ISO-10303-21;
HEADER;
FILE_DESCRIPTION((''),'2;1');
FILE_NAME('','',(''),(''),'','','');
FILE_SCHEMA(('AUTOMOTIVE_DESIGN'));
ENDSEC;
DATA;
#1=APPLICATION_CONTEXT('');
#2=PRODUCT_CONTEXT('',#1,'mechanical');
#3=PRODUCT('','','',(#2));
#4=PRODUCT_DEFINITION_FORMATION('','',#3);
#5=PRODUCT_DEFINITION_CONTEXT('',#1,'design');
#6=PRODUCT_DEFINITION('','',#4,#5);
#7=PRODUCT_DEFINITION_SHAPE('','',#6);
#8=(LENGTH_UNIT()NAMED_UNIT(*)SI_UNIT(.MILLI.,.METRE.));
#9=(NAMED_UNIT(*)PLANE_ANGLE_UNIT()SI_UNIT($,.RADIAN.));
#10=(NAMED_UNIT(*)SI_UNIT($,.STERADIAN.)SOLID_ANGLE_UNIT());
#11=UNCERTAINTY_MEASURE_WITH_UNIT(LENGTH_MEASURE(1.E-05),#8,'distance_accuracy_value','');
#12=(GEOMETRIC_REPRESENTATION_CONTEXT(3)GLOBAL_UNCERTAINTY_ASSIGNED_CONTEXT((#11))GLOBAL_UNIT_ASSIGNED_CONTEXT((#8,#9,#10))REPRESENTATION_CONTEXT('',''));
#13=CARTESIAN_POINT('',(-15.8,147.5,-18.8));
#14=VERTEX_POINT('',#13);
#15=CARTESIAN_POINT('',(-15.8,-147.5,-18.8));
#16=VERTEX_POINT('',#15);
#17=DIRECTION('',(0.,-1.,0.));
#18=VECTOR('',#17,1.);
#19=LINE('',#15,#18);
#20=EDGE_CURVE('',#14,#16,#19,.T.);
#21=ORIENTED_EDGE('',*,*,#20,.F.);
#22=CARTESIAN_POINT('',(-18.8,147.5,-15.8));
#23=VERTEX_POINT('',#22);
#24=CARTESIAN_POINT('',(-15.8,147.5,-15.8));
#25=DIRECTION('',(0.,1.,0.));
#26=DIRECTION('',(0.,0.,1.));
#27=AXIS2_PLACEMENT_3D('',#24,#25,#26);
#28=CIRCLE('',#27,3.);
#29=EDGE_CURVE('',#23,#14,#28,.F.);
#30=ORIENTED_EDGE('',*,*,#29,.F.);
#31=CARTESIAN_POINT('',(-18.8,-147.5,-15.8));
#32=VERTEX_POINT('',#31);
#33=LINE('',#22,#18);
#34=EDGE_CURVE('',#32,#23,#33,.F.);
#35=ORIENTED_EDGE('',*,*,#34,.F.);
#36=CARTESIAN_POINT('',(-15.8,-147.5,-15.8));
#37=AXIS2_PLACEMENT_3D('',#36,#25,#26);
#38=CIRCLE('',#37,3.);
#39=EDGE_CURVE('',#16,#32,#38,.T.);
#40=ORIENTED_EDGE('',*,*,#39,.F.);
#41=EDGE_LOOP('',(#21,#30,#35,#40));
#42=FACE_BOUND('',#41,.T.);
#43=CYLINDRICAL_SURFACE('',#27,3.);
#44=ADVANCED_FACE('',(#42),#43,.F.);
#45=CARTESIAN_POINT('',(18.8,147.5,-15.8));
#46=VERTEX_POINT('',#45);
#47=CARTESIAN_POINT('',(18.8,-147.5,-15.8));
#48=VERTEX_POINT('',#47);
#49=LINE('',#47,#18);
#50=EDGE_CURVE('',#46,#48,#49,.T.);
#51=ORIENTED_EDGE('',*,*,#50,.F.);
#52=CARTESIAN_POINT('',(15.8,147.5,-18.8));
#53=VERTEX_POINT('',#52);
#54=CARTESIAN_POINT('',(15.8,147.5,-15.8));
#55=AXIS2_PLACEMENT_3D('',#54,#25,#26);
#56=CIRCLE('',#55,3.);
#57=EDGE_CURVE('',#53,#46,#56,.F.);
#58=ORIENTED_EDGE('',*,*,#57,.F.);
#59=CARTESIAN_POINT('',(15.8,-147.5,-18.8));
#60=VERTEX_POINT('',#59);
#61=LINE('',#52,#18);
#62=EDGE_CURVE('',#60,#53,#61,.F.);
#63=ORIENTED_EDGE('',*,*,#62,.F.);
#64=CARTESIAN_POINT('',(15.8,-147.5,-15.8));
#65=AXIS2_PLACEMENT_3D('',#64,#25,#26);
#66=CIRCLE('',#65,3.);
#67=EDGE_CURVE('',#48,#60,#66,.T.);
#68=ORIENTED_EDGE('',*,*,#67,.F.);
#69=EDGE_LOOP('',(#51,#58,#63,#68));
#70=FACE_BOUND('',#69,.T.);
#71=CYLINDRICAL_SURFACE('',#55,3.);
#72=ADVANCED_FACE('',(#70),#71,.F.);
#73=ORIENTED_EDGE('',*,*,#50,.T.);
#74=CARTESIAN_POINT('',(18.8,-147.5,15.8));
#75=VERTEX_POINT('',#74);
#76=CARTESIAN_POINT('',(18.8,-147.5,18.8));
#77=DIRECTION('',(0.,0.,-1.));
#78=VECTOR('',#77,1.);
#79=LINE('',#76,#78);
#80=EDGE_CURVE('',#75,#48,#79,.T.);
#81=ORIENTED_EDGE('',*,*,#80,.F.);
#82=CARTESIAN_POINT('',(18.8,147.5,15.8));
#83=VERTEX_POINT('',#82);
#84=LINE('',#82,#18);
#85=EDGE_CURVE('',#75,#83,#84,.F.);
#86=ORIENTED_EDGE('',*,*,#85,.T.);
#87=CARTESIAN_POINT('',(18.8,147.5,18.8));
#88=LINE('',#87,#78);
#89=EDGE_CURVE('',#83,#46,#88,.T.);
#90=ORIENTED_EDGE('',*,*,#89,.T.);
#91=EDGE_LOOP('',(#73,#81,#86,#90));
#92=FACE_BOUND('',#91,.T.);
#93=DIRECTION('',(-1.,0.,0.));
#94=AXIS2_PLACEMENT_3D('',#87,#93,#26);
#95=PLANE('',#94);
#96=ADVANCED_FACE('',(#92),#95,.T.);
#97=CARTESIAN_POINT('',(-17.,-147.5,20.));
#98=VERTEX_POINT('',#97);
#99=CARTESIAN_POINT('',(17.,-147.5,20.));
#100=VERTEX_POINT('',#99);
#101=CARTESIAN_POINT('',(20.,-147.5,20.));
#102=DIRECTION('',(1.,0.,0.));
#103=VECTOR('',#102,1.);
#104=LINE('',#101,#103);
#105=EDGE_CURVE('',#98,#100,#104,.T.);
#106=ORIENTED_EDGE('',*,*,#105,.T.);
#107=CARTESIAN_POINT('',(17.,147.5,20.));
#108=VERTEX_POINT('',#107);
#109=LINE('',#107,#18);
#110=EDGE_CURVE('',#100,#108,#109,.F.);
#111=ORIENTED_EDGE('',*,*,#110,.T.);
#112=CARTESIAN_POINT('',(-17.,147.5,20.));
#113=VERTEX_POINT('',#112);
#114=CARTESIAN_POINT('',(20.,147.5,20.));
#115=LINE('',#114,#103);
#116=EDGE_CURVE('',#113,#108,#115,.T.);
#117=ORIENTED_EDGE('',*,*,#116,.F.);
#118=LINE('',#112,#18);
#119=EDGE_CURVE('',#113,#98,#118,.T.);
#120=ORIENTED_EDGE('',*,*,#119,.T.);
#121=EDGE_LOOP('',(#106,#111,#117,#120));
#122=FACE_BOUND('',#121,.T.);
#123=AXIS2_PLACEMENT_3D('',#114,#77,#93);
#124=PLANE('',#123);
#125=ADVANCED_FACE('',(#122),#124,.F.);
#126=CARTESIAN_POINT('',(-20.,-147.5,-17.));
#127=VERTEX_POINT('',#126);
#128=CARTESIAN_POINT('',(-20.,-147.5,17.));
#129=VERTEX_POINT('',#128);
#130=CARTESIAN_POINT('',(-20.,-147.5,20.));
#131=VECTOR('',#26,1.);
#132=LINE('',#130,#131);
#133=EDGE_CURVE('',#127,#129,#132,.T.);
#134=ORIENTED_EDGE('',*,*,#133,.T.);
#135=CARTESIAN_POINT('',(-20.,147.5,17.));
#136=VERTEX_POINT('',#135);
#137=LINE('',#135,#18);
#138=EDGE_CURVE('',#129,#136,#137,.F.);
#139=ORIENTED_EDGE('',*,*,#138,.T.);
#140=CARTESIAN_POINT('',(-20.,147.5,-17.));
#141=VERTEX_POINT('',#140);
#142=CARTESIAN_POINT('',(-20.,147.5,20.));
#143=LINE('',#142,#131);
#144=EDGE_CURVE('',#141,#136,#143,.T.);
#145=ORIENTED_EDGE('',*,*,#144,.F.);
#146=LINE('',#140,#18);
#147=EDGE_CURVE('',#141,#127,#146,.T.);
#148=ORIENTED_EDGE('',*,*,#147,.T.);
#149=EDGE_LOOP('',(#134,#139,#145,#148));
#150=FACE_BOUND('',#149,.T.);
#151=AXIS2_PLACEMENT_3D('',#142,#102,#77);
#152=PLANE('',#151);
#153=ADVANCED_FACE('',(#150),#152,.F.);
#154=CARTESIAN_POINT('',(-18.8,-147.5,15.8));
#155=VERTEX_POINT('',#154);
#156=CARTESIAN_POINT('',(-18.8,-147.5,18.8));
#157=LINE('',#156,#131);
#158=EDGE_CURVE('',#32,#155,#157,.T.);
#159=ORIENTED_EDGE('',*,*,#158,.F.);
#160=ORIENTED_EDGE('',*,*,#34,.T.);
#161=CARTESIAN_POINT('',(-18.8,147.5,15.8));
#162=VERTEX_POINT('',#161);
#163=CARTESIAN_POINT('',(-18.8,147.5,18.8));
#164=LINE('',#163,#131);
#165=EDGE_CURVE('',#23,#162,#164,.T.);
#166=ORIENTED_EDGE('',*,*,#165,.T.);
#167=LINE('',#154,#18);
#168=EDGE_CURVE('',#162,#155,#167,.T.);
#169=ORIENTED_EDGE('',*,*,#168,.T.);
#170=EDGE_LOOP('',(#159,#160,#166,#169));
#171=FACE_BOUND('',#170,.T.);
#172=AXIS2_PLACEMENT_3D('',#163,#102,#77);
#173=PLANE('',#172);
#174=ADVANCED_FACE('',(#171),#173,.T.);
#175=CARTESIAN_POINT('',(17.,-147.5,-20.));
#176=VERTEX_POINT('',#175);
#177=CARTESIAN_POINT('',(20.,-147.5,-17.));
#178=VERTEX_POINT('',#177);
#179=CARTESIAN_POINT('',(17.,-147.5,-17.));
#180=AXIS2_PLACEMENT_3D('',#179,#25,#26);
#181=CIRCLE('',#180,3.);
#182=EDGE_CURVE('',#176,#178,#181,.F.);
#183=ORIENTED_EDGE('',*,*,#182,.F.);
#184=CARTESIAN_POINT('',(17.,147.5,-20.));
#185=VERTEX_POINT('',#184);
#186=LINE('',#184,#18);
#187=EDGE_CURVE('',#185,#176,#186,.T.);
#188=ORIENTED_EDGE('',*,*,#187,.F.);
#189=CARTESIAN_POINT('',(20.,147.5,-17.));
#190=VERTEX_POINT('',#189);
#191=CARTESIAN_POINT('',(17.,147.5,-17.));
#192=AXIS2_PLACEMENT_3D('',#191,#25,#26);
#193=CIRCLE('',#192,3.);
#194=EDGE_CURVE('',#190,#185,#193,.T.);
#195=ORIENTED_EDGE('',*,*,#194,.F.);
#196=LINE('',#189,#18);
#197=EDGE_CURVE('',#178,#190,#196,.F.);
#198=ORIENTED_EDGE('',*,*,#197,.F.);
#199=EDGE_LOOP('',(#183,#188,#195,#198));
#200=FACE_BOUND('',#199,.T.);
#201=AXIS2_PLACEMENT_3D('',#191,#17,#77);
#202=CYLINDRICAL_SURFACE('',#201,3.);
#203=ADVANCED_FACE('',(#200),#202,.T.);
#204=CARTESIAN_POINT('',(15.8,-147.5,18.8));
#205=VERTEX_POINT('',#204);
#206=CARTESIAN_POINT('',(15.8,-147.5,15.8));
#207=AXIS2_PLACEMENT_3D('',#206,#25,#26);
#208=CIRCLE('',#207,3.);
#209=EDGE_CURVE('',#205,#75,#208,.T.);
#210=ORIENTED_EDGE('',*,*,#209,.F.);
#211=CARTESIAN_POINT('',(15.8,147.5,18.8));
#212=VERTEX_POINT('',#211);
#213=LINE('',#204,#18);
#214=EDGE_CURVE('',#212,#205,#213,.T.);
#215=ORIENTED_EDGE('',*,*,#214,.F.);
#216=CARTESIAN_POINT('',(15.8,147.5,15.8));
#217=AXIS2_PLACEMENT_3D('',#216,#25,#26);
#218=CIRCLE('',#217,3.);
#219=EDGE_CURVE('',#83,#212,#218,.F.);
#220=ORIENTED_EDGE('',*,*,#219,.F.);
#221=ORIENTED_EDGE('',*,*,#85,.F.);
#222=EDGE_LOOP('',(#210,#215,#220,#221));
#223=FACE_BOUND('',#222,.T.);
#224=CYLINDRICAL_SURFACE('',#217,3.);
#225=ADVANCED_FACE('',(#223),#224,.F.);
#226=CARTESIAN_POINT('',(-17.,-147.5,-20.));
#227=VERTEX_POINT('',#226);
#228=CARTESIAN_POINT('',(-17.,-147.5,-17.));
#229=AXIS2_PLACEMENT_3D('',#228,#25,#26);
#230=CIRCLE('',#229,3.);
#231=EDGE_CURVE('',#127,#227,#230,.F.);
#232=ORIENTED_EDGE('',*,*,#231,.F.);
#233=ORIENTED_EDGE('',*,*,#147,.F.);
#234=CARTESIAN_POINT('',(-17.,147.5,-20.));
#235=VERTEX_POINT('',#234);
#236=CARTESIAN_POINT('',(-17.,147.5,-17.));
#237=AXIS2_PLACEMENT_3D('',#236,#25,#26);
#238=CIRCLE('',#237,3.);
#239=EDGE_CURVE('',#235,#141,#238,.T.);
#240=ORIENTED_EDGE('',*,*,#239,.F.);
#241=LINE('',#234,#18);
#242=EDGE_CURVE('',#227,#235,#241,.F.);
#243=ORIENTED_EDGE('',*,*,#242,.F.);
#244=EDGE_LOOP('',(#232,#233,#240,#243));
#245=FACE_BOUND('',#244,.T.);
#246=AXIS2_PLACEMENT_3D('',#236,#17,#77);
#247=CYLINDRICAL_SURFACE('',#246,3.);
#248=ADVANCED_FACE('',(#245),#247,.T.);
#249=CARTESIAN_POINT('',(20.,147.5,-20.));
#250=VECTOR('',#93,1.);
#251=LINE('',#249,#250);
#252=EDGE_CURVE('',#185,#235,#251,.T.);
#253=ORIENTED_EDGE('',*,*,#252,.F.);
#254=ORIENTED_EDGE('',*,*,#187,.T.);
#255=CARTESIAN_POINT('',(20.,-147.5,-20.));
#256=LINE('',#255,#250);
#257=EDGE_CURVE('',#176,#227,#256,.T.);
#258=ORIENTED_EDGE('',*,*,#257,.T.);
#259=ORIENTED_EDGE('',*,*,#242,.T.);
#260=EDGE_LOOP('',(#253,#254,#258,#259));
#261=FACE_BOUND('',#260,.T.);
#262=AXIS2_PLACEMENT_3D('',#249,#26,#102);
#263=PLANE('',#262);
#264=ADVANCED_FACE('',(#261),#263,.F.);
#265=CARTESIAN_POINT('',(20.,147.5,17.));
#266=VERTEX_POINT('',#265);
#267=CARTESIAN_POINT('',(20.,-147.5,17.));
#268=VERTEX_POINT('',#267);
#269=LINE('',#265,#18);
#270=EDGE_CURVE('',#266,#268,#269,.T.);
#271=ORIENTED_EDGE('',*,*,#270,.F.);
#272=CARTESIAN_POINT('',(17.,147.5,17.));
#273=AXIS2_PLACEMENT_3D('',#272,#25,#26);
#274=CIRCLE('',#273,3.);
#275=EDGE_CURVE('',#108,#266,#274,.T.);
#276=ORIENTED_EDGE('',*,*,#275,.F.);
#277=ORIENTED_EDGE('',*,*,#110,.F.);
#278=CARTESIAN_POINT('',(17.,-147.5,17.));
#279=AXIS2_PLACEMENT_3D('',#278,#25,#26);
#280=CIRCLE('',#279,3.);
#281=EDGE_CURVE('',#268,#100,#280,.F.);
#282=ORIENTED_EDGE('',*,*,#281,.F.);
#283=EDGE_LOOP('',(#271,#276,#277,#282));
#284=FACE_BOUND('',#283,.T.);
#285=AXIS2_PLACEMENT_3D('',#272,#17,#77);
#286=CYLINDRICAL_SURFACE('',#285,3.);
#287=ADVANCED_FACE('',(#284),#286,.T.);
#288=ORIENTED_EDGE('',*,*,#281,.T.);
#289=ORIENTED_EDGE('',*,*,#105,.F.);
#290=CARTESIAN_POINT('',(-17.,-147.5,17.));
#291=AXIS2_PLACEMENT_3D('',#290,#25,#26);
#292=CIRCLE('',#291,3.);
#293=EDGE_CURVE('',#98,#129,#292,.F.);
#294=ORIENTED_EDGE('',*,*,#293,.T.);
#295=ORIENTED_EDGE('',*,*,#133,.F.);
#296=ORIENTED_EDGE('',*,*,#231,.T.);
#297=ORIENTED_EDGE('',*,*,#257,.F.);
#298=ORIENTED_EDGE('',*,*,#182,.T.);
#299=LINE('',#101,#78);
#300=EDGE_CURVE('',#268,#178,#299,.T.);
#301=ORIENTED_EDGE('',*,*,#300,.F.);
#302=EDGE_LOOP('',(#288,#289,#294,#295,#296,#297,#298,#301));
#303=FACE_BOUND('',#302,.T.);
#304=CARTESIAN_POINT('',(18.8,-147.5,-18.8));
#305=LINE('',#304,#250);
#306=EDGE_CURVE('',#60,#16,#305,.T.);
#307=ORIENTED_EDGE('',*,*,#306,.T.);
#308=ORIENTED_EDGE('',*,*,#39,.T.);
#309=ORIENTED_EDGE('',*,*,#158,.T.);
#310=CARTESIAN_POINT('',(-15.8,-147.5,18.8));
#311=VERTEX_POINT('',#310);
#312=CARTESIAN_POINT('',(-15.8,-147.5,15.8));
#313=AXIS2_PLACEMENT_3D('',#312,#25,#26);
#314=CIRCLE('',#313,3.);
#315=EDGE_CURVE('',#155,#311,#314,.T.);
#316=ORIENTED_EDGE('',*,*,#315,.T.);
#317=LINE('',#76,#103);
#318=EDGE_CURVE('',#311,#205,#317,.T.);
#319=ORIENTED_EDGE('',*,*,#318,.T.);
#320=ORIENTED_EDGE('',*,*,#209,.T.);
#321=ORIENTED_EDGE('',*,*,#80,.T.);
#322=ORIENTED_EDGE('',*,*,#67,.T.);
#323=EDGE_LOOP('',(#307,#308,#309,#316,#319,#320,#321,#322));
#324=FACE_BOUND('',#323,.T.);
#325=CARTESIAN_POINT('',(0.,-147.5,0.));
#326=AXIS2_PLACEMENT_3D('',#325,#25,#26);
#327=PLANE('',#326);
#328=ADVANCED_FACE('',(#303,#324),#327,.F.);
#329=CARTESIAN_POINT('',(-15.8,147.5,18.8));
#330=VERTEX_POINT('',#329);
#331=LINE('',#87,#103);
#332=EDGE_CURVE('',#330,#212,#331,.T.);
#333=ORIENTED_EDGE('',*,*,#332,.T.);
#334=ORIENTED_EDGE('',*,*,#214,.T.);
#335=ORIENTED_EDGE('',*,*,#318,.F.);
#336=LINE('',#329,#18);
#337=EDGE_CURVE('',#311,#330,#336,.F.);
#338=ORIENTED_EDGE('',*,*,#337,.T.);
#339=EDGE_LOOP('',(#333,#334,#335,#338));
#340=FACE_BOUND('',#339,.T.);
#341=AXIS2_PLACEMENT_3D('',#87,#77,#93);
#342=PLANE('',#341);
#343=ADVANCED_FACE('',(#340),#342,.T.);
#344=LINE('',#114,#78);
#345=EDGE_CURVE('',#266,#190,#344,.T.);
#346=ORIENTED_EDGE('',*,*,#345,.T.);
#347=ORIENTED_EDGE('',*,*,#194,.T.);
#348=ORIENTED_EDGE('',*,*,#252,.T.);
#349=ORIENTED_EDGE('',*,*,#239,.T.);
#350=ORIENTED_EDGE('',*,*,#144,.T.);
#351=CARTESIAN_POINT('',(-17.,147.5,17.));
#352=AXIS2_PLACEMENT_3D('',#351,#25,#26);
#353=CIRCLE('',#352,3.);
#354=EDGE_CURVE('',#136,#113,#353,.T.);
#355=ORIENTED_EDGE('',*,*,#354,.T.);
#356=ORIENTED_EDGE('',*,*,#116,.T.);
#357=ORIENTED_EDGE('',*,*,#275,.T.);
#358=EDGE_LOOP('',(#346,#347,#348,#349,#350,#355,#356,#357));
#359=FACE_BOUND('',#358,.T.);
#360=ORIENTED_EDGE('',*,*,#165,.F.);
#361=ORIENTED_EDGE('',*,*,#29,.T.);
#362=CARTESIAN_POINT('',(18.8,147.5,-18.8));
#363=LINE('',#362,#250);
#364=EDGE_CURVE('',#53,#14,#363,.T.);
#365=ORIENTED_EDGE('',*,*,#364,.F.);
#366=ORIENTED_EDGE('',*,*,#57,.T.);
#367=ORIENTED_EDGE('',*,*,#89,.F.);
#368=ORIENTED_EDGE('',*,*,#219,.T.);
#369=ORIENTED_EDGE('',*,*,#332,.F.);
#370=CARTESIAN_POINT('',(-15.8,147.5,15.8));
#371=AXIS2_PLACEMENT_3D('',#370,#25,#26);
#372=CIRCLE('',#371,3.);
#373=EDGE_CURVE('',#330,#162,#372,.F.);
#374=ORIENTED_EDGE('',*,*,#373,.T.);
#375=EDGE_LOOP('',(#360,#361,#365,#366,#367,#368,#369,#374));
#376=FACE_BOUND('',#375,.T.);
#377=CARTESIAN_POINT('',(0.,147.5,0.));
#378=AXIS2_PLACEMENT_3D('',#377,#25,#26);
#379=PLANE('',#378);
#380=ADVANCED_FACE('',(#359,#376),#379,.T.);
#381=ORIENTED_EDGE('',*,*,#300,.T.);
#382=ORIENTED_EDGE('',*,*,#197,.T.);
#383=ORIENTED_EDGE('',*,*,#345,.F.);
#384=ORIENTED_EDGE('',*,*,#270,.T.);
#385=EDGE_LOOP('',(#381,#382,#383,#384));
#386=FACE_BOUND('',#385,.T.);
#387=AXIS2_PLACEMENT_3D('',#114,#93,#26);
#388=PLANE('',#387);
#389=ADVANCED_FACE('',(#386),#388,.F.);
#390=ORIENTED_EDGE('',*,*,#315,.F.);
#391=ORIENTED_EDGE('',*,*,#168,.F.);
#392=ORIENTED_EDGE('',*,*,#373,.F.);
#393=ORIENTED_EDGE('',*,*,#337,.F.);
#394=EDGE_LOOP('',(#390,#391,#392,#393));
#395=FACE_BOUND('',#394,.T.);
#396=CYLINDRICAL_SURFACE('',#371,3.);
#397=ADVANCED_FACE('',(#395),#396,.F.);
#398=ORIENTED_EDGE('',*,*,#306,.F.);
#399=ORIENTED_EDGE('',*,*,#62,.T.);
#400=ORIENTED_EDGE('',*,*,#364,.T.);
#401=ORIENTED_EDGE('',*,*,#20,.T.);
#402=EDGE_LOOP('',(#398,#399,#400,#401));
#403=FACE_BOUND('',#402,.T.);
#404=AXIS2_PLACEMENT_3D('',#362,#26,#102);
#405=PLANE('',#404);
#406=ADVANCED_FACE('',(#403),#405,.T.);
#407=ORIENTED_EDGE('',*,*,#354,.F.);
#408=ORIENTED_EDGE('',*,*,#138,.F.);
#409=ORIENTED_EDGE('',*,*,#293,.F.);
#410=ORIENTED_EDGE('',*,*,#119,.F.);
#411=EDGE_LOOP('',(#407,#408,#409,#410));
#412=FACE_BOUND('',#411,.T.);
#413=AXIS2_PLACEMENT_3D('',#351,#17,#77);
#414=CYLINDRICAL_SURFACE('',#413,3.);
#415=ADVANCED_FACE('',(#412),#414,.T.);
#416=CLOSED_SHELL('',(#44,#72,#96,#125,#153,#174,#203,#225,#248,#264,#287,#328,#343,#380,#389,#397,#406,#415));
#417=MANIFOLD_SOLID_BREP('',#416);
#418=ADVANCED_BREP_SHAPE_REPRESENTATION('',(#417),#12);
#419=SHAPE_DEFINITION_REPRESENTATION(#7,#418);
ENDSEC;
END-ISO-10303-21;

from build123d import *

# Parameters (mm, degrees)
ESBO_O1_W                = 40
ESBO_O1_H                = 40
ESBO_O1_W_2              = 37.6
ESBO_O1_H_2              = 37.6
RESSALTO_EXTRUS_O1_DEPTH = 147.5
FILETE1_R                = 3


with BuildPart() as part:
    # Esboço1 → Ressalto-extrusão1 (new, symmetric)
    with BuildSketch(Plane(origin=(0, 0, 0), x_dir=(1, 0, 0), z_dir=(0, 1, 0))):
        Rectangle(ESBO_O1_W, ESBO_O1_H)
        Rectangle(ESBO_O1_W_2, ESBO_O1_H_2, mode=Mode.SUBTRACT)
    extrude(amount=RESSALTO_EXTRUS_O1_DEPTH, both=True)

    # Filete1
    filete1_edges = [part.edges().sort_by_distance(p)[0] for p in [
        (-18.8, 0, 18.8),
        (18.8, 0, 18.8),
        (18.8, 0, -18.8),
        (-18.8, 0, -18.8),
        (-20, 0, -20),
        (20, 0, -20),
        (20, 0, 20),
        (-20, 0, 20),
    ]]
    fillet(filete1_edges, radius=FILETE1_R)


solid = part.part
